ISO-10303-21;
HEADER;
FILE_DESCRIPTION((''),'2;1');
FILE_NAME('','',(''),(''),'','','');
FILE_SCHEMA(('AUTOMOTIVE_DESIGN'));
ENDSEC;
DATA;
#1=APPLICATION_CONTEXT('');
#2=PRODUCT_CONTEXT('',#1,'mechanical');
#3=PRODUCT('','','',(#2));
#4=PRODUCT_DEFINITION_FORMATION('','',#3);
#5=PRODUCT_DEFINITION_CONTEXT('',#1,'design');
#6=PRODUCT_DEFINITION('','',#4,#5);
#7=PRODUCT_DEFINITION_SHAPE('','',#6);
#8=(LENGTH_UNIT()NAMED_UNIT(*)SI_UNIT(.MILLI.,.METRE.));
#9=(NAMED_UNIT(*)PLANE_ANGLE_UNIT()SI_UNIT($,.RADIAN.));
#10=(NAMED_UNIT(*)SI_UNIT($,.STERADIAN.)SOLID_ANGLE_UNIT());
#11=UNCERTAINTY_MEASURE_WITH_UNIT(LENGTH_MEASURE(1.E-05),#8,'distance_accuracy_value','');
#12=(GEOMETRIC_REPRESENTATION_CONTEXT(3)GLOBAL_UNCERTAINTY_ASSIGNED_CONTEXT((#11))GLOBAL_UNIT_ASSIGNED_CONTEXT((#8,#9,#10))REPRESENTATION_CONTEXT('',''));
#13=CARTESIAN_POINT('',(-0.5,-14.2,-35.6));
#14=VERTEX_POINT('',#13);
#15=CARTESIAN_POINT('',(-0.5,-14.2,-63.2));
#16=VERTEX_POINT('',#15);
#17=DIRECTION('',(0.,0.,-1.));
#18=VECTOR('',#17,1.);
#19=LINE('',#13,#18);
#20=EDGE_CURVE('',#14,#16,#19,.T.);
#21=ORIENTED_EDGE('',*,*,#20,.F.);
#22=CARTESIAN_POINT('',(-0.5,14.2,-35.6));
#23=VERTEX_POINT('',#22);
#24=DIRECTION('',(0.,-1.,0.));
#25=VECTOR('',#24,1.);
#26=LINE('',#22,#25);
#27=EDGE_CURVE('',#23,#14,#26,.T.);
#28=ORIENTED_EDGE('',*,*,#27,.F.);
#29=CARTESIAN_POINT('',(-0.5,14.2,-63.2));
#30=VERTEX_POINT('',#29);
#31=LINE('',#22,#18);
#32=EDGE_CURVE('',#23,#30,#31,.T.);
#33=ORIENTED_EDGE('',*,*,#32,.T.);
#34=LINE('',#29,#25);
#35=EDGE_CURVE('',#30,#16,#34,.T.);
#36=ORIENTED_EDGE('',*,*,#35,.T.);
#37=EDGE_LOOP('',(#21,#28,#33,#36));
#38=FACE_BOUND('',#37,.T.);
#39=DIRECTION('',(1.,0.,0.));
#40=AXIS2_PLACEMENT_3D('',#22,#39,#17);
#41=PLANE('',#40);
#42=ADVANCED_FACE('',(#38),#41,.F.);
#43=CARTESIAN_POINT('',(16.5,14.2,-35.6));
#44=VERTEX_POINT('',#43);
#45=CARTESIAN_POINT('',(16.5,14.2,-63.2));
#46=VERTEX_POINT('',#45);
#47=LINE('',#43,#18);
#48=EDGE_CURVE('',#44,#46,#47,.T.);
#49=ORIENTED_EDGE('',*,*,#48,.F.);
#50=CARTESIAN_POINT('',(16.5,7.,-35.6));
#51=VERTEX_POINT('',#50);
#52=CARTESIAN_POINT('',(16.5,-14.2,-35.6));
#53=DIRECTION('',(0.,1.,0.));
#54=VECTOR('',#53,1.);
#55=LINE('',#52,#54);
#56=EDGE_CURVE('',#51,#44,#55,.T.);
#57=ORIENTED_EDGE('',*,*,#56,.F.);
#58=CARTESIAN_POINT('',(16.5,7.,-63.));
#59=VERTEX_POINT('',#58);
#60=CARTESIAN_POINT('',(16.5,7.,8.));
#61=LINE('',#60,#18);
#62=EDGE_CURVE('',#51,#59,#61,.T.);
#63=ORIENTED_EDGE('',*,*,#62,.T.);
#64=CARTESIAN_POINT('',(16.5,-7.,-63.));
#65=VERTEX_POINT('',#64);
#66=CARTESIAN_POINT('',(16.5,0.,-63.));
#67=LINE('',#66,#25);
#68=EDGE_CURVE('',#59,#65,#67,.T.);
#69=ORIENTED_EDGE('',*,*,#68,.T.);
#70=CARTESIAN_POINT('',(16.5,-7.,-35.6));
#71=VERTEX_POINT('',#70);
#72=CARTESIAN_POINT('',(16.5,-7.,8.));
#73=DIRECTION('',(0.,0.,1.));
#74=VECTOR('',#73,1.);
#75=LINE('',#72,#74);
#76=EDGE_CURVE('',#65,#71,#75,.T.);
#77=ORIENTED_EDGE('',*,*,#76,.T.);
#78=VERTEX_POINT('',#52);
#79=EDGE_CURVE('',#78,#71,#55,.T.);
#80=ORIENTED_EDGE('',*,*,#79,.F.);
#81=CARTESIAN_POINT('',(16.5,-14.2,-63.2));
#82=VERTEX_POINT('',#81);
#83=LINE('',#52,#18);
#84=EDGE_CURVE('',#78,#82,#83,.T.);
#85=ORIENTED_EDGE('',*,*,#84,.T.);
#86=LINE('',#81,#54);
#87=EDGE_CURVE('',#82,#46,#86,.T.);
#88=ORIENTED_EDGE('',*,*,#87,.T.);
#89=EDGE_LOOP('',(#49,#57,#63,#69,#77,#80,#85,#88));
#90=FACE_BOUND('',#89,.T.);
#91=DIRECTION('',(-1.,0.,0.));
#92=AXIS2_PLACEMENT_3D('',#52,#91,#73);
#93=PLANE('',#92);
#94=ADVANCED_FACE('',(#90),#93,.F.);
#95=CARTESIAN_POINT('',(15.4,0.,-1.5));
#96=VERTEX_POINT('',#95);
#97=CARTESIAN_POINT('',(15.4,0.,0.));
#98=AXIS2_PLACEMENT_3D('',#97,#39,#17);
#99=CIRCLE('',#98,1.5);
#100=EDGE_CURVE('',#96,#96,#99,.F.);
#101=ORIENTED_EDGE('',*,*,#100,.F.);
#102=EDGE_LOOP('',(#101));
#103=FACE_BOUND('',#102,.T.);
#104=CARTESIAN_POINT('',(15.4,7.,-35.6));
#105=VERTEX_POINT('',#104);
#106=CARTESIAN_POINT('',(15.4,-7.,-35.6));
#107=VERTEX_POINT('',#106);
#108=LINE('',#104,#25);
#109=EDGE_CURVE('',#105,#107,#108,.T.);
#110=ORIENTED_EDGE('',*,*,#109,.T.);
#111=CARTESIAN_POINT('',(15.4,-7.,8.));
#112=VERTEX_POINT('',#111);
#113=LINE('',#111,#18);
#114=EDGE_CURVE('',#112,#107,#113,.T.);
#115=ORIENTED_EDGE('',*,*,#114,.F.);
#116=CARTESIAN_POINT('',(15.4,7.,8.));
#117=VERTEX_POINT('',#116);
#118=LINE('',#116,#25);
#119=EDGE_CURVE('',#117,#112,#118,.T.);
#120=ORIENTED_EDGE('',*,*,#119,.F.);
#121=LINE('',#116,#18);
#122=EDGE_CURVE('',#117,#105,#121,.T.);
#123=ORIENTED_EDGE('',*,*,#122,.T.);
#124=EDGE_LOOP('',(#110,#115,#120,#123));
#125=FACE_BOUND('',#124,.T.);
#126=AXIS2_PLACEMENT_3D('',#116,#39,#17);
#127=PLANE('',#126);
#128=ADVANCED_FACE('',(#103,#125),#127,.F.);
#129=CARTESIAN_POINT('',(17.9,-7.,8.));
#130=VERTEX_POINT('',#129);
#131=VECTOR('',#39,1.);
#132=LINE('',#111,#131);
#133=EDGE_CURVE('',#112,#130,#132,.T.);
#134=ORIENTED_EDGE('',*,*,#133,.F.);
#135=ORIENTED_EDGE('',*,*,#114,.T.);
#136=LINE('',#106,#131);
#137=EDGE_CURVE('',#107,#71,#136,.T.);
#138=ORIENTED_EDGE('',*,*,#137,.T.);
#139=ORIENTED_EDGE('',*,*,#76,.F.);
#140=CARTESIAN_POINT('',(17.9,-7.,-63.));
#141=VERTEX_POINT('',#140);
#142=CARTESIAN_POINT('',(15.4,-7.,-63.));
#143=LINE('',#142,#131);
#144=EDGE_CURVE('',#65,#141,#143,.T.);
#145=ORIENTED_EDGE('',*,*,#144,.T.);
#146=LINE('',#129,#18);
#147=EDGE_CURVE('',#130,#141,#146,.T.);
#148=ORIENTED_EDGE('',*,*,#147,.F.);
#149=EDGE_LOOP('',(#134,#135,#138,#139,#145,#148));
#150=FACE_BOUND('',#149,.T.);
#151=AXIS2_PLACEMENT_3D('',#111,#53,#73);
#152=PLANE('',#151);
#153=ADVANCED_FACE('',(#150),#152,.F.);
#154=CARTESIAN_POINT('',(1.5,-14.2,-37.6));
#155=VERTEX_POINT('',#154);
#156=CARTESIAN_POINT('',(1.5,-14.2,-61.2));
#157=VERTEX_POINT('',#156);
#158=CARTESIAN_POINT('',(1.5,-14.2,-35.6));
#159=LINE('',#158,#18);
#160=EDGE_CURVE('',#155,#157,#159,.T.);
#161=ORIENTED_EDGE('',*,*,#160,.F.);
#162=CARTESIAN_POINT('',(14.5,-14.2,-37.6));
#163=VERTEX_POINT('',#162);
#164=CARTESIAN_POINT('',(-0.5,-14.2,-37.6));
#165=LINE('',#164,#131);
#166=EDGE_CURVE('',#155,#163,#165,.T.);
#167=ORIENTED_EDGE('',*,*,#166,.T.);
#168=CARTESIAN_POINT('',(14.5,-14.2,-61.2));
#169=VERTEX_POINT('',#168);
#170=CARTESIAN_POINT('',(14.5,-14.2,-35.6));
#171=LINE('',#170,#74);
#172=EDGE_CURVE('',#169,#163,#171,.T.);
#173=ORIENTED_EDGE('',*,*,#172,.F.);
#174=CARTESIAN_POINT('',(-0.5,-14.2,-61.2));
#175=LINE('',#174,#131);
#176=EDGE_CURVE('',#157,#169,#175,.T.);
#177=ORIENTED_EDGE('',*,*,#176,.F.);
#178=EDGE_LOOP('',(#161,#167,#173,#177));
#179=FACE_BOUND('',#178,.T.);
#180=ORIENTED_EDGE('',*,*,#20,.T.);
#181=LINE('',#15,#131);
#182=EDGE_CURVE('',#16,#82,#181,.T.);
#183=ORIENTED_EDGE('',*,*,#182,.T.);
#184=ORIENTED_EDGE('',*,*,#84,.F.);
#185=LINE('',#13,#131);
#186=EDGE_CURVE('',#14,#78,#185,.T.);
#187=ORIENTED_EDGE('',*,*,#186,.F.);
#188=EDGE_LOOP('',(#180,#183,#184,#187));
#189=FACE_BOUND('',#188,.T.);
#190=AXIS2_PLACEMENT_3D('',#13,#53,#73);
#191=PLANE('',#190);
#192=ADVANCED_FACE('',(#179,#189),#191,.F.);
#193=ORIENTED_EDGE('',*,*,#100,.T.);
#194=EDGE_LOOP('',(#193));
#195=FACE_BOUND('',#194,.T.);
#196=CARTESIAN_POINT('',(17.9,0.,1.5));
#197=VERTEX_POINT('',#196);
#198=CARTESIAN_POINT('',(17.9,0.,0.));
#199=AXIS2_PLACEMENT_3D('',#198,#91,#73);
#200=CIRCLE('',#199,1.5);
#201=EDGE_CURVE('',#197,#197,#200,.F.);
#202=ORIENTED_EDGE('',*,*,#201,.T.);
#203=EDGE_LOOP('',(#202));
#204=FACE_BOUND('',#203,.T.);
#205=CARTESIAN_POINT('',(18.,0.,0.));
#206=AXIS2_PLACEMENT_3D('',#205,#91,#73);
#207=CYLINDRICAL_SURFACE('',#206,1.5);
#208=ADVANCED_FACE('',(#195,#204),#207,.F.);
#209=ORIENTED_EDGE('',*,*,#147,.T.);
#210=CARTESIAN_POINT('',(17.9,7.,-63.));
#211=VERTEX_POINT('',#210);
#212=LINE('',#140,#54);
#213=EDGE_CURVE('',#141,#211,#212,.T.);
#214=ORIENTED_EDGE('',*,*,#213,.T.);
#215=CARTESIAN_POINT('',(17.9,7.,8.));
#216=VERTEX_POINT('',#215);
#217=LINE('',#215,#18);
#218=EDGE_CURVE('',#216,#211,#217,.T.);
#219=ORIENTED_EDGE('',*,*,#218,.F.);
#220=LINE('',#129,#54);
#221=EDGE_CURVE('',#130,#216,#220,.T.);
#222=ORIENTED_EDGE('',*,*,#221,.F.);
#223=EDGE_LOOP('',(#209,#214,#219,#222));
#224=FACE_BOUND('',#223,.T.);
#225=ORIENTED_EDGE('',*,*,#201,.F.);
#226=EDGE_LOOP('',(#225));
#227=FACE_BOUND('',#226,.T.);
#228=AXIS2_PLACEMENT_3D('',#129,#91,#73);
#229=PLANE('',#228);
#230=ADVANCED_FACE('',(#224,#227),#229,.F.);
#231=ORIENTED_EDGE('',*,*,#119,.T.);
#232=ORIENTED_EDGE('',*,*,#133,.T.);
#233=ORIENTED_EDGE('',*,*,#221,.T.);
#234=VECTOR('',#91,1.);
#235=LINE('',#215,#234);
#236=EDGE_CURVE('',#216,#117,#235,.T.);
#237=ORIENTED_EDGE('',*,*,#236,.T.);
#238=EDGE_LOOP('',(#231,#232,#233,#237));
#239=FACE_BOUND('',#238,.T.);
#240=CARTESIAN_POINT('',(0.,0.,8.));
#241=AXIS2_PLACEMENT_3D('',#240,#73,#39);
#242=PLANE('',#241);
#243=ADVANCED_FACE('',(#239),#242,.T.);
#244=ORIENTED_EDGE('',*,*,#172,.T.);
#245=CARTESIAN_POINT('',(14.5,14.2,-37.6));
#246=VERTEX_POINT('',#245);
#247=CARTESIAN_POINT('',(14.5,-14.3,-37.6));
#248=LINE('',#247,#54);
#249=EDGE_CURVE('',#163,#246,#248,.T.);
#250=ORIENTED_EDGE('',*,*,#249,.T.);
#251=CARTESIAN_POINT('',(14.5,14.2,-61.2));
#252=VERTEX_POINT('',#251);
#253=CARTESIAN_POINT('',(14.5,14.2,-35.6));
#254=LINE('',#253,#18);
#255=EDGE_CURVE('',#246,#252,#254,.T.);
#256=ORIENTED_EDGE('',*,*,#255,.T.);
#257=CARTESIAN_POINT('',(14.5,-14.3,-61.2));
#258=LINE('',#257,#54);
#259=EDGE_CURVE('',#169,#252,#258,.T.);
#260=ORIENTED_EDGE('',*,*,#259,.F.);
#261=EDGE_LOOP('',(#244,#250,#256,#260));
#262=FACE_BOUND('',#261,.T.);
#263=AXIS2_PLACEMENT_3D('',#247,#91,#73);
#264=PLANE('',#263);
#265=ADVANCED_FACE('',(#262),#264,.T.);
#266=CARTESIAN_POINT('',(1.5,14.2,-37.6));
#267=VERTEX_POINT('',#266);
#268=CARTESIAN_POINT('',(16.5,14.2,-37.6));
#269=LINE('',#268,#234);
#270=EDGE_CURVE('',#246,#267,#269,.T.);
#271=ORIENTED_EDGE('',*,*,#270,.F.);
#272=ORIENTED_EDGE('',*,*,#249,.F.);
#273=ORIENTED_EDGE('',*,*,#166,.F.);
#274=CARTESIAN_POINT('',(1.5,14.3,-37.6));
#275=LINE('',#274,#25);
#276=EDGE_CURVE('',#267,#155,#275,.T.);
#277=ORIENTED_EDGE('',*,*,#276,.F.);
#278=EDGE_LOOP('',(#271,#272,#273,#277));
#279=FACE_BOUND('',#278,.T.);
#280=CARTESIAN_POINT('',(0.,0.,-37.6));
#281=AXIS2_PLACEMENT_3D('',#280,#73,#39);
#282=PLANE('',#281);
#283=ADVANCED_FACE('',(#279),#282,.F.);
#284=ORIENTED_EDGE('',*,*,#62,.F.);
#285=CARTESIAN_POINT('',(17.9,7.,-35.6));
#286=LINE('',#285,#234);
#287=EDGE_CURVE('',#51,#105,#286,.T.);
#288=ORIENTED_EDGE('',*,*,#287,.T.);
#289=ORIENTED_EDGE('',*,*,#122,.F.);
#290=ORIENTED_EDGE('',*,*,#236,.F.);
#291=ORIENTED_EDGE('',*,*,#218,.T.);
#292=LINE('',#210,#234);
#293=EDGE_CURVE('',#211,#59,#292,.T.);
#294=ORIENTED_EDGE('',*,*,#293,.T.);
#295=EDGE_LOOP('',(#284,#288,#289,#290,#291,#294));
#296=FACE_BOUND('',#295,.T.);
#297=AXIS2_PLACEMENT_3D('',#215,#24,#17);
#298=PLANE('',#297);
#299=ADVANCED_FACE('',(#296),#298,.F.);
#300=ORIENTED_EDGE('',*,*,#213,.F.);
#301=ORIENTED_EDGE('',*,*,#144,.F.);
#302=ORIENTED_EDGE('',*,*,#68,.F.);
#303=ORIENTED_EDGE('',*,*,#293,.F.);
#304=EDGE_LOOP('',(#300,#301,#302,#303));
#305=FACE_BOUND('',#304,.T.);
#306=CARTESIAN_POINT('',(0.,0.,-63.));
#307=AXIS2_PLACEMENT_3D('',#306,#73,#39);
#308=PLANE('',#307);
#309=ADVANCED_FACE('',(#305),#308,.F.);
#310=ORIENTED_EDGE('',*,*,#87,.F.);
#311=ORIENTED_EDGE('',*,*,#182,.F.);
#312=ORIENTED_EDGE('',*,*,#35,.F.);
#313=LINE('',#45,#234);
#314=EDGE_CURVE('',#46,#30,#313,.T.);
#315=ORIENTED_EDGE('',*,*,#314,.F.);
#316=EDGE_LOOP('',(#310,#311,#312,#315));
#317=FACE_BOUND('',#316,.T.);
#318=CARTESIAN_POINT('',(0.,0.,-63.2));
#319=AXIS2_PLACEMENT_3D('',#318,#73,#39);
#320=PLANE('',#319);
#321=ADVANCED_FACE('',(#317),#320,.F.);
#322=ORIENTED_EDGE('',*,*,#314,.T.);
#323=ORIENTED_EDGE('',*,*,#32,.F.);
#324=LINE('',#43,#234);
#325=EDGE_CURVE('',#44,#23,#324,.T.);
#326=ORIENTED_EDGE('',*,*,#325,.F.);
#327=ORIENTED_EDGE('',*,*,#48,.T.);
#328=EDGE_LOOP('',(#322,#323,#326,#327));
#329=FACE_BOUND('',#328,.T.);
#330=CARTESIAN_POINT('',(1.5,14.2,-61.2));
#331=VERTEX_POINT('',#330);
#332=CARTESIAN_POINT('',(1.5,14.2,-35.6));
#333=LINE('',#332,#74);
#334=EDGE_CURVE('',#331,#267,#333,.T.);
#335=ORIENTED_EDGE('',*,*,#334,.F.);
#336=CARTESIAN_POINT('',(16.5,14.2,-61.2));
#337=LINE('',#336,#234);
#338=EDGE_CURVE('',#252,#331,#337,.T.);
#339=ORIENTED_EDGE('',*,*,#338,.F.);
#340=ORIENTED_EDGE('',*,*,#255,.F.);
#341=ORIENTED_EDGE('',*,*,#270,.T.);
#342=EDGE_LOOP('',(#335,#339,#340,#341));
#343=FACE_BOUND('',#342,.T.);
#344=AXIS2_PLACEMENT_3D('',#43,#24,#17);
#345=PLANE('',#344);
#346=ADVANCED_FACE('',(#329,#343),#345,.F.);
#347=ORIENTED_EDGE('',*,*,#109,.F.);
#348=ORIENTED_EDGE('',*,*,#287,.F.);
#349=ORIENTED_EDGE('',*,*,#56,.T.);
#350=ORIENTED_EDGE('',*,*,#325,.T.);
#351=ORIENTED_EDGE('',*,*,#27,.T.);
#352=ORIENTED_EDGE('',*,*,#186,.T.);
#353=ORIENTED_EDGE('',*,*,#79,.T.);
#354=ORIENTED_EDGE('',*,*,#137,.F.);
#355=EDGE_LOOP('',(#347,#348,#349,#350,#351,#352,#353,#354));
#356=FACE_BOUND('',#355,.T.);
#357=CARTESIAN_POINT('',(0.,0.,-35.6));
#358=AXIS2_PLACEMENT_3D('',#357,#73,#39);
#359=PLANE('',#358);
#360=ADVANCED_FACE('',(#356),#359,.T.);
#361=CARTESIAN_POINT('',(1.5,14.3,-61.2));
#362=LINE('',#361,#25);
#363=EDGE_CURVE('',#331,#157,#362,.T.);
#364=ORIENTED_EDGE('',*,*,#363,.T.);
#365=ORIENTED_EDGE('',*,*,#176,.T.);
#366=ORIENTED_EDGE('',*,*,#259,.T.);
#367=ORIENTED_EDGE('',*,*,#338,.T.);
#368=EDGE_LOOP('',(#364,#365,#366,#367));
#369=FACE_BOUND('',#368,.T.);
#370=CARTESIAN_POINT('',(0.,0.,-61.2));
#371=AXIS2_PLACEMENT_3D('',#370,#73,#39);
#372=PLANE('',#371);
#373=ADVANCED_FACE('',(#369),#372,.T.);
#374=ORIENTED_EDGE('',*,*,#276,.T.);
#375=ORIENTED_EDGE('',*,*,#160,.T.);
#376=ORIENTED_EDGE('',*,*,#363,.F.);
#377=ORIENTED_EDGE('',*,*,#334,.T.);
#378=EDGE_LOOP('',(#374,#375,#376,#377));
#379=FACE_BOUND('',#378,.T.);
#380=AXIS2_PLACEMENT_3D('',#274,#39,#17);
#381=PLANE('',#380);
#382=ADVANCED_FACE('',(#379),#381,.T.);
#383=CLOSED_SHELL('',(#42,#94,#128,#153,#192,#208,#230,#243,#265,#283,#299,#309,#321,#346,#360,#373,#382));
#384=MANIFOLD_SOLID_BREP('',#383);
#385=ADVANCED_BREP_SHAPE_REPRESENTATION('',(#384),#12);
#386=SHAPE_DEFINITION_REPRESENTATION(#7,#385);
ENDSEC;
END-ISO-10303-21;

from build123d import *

# Parameters (mm, degrees)
S_BOX1_W       = 2.5
S_BOX1_H       = 14
BOSS_1_DEPTH   = 71
S_BOX2_W       = 17
S_BOX2_H       = 28.4
BOSS_2_DEPTH   = 27.6
S_CUT3_W       = 13
S_CUT3_H       = 28.6
POCKET_3_DEPTH = 23.6
S_HOLE4_R      = 1.5
HOLE_4_DEPTH   = 2.7


with BuildPart() as part:
    # S_box1 → Boss_1 (new body)
    with BuildSketch(Plane.XY.offset(-63)):
        with Locations((16.65, 0)):
            Rectangle(S_BOX1_W, S_BOX1_H)
    extrude(amount=BOSS_1_DEPTH)

    # S_box2 → Boss_2 (add)
    with BuildSketch(Plane.XY.offset(-63.2)):
        with Locations((8, 0)):
            Rectangle(S_BOX2_W, S_BOX2_H)
    extrude(amount=BOSS_2_DEPTH)

    # S_cut3 → Pocket_3 (cut)
    with BuildSketch(Plane.XY.offset(-61.2)):
        with Locations((8, 0)):
            Rectangle(S_CUT3_W, S_CUT3_H)
    extrude(amount=POCKET_3_DEPTH, mode=Mode.SUBTRACT)

    # S_hole4 → Hole_4 (cut)
    with BuildSketch(Plane(origin=(15.3, 0, 0), x_dir=(0, 0, -1), z_dir=(1, 0, 0))):
        with Locations(Location((0, 0, 0), (0, 0, 180))):
            Circle(S_HOLE4_R)
    extrude(amount=HOLE_4_DEPTH, mode=Mode.SUBTRACT)


solid = part.part
